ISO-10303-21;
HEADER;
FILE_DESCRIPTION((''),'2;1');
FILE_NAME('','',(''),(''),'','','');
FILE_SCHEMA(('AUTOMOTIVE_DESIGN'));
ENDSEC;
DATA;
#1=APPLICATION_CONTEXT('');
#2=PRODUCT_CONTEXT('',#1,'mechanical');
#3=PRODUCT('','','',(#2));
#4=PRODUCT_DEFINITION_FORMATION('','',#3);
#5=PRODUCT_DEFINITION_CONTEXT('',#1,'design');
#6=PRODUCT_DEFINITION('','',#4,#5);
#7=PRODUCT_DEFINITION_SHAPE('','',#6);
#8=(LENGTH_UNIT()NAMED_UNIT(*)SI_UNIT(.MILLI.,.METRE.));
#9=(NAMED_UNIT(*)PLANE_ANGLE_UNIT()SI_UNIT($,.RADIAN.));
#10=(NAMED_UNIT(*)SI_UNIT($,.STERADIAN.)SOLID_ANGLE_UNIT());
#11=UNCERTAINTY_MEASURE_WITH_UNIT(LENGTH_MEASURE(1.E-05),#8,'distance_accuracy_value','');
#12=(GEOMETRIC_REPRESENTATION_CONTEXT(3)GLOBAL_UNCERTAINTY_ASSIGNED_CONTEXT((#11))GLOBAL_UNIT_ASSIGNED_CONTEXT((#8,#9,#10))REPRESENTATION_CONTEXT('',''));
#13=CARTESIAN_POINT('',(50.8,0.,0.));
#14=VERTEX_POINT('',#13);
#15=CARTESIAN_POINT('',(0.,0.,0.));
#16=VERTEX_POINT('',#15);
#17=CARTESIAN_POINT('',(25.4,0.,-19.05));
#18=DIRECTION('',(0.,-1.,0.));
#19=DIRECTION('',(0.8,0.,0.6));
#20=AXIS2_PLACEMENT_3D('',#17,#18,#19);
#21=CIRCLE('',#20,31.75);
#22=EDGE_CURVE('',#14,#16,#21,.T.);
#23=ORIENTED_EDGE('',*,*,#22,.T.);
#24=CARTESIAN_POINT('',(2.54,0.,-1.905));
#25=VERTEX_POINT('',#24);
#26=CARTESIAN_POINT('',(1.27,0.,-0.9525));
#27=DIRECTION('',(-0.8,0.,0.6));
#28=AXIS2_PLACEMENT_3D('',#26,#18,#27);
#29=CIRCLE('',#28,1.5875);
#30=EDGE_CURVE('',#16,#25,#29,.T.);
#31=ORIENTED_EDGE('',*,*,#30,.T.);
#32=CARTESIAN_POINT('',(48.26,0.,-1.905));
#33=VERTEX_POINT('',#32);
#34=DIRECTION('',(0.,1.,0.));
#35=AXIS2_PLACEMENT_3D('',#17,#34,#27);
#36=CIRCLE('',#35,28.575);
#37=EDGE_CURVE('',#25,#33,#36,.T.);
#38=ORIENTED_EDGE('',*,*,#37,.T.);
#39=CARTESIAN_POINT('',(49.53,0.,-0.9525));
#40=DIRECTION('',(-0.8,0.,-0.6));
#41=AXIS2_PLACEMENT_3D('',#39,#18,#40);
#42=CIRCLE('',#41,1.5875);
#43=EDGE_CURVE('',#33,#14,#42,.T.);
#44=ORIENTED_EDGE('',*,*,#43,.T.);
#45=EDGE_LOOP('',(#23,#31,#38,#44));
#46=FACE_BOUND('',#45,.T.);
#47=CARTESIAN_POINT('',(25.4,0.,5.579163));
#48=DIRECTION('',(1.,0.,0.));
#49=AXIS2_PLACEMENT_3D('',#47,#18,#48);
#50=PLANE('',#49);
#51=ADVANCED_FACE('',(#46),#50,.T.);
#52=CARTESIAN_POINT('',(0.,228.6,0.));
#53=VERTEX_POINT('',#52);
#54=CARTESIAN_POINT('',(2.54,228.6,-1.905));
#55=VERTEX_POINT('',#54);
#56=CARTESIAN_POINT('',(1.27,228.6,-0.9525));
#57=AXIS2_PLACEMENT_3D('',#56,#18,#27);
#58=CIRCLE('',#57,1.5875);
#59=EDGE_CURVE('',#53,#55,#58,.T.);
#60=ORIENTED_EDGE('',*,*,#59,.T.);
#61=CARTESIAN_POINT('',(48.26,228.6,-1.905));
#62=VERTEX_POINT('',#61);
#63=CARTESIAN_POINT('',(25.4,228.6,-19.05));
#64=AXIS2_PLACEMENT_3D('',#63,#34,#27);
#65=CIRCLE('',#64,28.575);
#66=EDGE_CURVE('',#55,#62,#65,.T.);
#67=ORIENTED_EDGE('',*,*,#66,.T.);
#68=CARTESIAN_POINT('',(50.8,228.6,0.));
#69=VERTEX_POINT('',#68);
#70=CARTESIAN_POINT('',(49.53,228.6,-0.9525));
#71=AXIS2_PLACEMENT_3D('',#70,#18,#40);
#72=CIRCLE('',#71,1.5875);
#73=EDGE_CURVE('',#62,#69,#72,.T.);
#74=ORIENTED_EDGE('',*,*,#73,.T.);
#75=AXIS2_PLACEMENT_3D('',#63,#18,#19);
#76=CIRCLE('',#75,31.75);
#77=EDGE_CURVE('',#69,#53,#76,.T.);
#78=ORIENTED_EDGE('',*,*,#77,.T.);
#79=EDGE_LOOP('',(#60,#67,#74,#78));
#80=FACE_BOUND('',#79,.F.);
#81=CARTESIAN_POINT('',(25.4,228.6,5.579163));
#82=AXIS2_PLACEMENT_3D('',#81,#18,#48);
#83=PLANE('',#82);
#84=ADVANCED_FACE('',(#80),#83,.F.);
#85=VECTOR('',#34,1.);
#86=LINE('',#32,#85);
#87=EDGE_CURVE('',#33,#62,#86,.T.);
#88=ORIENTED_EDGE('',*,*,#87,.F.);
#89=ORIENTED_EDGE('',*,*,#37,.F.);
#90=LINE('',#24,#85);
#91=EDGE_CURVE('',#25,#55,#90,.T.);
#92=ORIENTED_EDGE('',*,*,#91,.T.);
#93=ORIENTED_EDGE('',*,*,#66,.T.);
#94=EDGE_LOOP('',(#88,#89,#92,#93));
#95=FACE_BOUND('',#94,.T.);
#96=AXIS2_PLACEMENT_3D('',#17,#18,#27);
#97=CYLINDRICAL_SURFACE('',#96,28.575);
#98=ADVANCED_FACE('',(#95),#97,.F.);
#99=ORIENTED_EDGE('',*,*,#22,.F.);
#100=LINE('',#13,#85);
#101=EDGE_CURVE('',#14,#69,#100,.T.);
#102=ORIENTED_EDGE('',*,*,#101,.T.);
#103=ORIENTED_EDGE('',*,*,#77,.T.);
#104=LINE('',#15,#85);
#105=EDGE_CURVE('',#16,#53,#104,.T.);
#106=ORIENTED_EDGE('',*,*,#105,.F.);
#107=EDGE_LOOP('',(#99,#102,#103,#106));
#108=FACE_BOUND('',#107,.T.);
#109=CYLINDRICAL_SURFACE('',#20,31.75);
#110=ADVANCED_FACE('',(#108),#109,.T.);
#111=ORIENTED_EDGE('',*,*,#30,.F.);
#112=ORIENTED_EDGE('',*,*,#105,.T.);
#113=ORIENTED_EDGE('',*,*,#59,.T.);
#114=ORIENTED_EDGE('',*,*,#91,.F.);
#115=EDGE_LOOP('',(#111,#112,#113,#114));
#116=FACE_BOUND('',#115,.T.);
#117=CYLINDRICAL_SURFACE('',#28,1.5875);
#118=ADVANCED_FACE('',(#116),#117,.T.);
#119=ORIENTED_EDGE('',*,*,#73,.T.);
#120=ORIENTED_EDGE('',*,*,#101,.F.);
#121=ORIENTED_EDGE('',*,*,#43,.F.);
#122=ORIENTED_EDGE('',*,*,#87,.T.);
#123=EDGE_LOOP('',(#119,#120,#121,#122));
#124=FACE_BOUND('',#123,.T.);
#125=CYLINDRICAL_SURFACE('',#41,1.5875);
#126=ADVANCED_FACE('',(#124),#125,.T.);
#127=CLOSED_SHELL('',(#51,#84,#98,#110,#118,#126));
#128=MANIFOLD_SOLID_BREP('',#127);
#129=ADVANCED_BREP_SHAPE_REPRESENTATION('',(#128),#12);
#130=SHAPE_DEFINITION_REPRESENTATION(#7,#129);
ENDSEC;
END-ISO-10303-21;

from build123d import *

# Parameters (mm, degrees)
F1_DEPTH = 228.6


with BuildPart() as f1:
    # F0 (on Front) → F1 (new body)
    with BuildSketch(Plane.XZ):
        with BuildLine():
            ThreePointArc((48.26, -1.905), (50.4825, -2.2225), (50.8, 0))
            ThreePointArc((50.8, 0), (25.4, 12.7), (0, 0))
            ThreePointArc((0, 0), (0.3175, -2.2225), (2.54, -1.905))
            ThreePointArc((2.54, -1.905), (25.4, 9.525), (48.26, -1.905))
        make_face()
    extrude(amount=-F1_DEPTH)


solid = f1.part
